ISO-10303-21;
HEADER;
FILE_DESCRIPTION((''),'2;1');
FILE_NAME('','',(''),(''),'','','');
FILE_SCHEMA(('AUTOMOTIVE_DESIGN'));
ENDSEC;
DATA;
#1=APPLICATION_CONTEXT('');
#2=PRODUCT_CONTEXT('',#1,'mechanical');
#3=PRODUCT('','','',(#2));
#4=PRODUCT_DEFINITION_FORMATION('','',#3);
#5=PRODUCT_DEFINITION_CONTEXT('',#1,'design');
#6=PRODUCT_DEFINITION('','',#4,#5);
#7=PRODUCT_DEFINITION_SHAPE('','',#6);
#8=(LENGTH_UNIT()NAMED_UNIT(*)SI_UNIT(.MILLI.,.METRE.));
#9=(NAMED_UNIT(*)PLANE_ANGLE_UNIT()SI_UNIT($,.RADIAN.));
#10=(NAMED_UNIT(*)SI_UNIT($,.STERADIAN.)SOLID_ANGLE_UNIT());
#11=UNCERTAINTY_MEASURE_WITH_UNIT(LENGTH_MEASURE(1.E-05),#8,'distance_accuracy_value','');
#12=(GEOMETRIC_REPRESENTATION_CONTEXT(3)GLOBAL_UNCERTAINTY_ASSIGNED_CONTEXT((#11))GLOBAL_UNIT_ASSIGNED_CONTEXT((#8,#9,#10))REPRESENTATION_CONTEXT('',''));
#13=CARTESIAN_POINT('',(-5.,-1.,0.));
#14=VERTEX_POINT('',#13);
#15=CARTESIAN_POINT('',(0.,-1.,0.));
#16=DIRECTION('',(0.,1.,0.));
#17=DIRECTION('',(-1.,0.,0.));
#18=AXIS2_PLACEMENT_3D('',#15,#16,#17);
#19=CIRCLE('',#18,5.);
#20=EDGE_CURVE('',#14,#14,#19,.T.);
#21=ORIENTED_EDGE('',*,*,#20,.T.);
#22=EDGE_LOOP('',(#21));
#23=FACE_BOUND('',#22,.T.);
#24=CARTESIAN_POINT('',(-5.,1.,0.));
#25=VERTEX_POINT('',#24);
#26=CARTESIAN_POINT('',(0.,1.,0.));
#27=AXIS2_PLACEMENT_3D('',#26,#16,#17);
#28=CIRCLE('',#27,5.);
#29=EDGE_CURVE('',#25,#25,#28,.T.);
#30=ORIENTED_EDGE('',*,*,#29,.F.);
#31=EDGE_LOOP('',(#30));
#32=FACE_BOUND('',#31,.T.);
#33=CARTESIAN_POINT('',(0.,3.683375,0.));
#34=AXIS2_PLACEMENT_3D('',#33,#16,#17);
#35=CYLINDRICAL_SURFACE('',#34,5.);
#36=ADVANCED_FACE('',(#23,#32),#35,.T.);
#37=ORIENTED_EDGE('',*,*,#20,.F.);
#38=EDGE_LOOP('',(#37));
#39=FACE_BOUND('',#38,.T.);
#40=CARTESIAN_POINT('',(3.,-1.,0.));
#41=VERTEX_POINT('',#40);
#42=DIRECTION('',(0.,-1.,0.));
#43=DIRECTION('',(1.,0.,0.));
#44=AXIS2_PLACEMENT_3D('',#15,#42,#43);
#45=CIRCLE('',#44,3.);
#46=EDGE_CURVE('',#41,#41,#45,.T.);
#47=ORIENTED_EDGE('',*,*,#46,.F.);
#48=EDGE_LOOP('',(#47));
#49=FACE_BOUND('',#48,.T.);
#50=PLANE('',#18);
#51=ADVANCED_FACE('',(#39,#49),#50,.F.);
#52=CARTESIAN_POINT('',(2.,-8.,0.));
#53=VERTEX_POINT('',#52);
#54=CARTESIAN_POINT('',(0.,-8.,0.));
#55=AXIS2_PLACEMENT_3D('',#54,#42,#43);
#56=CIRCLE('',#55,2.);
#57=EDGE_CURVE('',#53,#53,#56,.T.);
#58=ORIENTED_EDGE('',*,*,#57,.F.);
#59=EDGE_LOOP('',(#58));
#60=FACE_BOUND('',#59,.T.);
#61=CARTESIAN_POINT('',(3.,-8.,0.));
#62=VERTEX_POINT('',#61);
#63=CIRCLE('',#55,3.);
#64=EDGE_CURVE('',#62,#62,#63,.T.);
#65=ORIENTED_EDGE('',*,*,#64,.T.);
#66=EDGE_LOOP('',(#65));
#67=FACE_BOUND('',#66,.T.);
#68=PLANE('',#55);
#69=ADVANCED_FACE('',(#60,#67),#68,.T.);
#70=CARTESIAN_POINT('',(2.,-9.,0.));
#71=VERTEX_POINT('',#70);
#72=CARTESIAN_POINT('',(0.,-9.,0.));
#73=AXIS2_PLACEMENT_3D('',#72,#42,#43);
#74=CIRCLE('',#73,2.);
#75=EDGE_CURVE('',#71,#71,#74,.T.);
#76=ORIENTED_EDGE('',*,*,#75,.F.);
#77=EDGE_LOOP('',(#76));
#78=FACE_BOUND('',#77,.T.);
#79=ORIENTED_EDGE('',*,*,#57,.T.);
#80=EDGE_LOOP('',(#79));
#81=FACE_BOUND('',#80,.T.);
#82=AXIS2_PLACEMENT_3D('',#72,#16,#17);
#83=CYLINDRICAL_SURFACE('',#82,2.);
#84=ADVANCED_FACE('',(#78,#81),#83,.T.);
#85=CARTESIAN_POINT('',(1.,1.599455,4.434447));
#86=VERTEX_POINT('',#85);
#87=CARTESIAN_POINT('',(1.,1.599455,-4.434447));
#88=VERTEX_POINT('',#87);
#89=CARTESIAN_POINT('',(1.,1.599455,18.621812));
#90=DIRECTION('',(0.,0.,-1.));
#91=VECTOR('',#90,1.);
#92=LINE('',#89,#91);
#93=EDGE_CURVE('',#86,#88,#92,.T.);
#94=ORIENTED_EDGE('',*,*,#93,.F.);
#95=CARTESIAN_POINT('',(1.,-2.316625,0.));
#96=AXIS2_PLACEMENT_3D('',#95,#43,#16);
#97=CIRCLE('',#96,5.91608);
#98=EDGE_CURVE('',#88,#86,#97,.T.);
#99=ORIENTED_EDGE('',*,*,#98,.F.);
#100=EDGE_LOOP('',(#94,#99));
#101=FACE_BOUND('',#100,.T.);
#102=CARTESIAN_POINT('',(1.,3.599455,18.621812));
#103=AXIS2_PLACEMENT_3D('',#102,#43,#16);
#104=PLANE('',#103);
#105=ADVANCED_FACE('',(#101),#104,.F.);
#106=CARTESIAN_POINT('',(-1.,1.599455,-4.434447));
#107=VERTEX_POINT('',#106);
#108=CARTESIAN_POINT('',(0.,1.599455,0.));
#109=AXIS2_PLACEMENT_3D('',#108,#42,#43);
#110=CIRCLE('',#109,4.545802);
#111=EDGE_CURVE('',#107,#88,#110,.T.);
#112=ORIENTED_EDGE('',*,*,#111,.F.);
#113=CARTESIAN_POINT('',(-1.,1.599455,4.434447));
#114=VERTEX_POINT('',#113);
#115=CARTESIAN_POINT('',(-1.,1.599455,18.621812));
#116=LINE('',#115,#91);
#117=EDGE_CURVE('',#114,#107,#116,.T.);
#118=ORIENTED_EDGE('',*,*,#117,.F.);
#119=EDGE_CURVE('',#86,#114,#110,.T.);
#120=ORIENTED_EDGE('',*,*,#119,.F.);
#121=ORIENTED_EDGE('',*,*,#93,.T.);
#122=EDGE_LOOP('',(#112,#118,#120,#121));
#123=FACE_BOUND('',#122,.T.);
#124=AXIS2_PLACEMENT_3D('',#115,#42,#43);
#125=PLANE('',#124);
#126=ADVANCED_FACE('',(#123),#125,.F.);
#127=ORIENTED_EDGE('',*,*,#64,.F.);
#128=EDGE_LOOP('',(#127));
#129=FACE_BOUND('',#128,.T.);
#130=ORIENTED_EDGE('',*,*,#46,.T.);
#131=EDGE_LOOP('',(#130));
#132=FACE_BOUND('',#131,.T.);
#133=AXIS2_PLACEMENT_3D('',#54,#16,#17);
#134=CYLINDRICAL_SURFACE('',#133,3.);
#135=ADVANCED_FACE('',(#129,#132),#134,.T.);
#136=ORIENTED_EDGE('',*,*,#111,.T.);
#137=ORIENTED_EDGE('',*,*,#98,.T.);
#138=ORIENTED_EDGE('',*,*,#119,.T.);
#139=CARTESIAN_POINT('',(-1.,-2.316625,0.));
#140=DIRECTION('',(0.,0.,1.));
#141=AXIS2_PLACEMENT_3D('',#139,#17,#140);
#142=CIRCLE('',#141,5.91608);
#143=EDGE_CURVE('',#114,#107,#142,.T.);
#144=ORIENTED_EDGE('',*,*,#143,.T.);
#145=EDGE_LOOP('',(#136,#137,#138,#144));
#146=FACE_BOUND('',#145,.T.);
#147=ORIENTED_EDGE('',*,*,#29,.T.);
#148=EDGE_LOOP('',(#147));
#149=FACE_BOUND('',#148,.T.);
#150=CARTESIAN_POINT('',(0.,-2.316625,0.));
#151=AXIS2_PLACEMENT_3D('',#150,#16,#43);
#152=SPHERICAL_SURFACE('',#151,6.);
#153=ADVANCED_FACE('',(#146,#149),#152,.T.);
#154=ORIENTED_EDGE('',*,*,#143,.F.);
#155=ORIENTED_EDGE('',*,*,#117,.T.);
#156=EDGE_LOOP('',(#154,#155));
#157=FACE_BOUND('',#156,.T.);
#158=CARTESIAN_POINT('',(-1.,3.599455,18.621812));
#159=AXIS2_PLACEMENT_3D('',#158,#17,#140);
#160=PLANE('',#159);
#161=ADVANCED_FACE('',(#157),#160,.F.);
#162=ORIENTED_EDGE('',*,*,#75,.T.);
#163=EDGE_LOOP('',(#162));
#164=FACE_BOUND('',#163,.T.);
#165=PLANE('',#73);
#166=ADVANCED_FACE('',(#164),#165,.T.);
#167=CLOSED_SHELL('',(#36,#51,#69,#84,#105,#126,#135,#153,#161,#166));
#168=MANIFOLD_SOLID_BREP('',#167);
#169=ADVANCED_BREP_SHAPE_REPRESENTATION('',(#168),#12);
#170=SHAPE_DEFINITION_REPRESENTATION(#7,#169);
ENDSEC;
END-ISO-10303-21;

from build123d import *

# Parameters (mm, degrees)
CUT_EXTRUDE5_DEPTH      = 6
CUT_EXTRUDE5_DEPTH_BACK = 6
SKETCH3_R               = 3
BOSS_EXTRUDE1_DEPTH     = 7
SKETCH4_R               = 2
BOSS_EXTRUDE2_DEPTH     = 1


with BuildPart() as part:
    # Sketch1 → Revolve1 (revolve)
    with BuildSketch(Plane.XY):
        with BuildLine():
            Line((0, -1), (5, -1))
            Line((5, -1), (5, 1))
            ThreePointArc((5, 1), (2.837274331, 2.970139283), (0, 3.68337521))
            Line((0, 3.68337521), (0, -1))
        make_face()
    revolve(axis=Axis((0, 3.68337521, 0), (0, -1, 0)))

    # Sketch2 → Cut-Extrude5 (cut, two sides)
    with BuildSketch(Plane.XY) as cut_extrude5_sk:
        Polygon((-1, 28.719638355), (-1, 3.599454993), (-1, 1.599454993), (1, 1.599454993), (1, 3.599454993), (1, 28.719638355), (1, 78.960005081), (-1, 78.960005081), align=None)
    extrude(amount=CUT_EXTRUDE5_DEPTH, mode=Mode.SUBTRACT)
    extrude(cut_extrude5_sk.sketch, amount=-CUT_EXTRUDE5_DEPTH_BACK, mode=Mode.SUBTRACT)

    # Sketch3 → Boss-Extrude1 (add)
    with BuildSketch(Plane.XZ.offset(1)):
        Circle(SKETCH3_R)
    extrude(amount=BOSS_EXTRUDE1_DEPTH)

    # Sketch4 → Boss-Extrude2 (add)
    with BuildSketch(Plane.XZ.offset(8)):
        Circle(SKETCH4_R)
    extrude(amount=BOSS_EXTRUDE2_DEPTH)


solid = part.part
